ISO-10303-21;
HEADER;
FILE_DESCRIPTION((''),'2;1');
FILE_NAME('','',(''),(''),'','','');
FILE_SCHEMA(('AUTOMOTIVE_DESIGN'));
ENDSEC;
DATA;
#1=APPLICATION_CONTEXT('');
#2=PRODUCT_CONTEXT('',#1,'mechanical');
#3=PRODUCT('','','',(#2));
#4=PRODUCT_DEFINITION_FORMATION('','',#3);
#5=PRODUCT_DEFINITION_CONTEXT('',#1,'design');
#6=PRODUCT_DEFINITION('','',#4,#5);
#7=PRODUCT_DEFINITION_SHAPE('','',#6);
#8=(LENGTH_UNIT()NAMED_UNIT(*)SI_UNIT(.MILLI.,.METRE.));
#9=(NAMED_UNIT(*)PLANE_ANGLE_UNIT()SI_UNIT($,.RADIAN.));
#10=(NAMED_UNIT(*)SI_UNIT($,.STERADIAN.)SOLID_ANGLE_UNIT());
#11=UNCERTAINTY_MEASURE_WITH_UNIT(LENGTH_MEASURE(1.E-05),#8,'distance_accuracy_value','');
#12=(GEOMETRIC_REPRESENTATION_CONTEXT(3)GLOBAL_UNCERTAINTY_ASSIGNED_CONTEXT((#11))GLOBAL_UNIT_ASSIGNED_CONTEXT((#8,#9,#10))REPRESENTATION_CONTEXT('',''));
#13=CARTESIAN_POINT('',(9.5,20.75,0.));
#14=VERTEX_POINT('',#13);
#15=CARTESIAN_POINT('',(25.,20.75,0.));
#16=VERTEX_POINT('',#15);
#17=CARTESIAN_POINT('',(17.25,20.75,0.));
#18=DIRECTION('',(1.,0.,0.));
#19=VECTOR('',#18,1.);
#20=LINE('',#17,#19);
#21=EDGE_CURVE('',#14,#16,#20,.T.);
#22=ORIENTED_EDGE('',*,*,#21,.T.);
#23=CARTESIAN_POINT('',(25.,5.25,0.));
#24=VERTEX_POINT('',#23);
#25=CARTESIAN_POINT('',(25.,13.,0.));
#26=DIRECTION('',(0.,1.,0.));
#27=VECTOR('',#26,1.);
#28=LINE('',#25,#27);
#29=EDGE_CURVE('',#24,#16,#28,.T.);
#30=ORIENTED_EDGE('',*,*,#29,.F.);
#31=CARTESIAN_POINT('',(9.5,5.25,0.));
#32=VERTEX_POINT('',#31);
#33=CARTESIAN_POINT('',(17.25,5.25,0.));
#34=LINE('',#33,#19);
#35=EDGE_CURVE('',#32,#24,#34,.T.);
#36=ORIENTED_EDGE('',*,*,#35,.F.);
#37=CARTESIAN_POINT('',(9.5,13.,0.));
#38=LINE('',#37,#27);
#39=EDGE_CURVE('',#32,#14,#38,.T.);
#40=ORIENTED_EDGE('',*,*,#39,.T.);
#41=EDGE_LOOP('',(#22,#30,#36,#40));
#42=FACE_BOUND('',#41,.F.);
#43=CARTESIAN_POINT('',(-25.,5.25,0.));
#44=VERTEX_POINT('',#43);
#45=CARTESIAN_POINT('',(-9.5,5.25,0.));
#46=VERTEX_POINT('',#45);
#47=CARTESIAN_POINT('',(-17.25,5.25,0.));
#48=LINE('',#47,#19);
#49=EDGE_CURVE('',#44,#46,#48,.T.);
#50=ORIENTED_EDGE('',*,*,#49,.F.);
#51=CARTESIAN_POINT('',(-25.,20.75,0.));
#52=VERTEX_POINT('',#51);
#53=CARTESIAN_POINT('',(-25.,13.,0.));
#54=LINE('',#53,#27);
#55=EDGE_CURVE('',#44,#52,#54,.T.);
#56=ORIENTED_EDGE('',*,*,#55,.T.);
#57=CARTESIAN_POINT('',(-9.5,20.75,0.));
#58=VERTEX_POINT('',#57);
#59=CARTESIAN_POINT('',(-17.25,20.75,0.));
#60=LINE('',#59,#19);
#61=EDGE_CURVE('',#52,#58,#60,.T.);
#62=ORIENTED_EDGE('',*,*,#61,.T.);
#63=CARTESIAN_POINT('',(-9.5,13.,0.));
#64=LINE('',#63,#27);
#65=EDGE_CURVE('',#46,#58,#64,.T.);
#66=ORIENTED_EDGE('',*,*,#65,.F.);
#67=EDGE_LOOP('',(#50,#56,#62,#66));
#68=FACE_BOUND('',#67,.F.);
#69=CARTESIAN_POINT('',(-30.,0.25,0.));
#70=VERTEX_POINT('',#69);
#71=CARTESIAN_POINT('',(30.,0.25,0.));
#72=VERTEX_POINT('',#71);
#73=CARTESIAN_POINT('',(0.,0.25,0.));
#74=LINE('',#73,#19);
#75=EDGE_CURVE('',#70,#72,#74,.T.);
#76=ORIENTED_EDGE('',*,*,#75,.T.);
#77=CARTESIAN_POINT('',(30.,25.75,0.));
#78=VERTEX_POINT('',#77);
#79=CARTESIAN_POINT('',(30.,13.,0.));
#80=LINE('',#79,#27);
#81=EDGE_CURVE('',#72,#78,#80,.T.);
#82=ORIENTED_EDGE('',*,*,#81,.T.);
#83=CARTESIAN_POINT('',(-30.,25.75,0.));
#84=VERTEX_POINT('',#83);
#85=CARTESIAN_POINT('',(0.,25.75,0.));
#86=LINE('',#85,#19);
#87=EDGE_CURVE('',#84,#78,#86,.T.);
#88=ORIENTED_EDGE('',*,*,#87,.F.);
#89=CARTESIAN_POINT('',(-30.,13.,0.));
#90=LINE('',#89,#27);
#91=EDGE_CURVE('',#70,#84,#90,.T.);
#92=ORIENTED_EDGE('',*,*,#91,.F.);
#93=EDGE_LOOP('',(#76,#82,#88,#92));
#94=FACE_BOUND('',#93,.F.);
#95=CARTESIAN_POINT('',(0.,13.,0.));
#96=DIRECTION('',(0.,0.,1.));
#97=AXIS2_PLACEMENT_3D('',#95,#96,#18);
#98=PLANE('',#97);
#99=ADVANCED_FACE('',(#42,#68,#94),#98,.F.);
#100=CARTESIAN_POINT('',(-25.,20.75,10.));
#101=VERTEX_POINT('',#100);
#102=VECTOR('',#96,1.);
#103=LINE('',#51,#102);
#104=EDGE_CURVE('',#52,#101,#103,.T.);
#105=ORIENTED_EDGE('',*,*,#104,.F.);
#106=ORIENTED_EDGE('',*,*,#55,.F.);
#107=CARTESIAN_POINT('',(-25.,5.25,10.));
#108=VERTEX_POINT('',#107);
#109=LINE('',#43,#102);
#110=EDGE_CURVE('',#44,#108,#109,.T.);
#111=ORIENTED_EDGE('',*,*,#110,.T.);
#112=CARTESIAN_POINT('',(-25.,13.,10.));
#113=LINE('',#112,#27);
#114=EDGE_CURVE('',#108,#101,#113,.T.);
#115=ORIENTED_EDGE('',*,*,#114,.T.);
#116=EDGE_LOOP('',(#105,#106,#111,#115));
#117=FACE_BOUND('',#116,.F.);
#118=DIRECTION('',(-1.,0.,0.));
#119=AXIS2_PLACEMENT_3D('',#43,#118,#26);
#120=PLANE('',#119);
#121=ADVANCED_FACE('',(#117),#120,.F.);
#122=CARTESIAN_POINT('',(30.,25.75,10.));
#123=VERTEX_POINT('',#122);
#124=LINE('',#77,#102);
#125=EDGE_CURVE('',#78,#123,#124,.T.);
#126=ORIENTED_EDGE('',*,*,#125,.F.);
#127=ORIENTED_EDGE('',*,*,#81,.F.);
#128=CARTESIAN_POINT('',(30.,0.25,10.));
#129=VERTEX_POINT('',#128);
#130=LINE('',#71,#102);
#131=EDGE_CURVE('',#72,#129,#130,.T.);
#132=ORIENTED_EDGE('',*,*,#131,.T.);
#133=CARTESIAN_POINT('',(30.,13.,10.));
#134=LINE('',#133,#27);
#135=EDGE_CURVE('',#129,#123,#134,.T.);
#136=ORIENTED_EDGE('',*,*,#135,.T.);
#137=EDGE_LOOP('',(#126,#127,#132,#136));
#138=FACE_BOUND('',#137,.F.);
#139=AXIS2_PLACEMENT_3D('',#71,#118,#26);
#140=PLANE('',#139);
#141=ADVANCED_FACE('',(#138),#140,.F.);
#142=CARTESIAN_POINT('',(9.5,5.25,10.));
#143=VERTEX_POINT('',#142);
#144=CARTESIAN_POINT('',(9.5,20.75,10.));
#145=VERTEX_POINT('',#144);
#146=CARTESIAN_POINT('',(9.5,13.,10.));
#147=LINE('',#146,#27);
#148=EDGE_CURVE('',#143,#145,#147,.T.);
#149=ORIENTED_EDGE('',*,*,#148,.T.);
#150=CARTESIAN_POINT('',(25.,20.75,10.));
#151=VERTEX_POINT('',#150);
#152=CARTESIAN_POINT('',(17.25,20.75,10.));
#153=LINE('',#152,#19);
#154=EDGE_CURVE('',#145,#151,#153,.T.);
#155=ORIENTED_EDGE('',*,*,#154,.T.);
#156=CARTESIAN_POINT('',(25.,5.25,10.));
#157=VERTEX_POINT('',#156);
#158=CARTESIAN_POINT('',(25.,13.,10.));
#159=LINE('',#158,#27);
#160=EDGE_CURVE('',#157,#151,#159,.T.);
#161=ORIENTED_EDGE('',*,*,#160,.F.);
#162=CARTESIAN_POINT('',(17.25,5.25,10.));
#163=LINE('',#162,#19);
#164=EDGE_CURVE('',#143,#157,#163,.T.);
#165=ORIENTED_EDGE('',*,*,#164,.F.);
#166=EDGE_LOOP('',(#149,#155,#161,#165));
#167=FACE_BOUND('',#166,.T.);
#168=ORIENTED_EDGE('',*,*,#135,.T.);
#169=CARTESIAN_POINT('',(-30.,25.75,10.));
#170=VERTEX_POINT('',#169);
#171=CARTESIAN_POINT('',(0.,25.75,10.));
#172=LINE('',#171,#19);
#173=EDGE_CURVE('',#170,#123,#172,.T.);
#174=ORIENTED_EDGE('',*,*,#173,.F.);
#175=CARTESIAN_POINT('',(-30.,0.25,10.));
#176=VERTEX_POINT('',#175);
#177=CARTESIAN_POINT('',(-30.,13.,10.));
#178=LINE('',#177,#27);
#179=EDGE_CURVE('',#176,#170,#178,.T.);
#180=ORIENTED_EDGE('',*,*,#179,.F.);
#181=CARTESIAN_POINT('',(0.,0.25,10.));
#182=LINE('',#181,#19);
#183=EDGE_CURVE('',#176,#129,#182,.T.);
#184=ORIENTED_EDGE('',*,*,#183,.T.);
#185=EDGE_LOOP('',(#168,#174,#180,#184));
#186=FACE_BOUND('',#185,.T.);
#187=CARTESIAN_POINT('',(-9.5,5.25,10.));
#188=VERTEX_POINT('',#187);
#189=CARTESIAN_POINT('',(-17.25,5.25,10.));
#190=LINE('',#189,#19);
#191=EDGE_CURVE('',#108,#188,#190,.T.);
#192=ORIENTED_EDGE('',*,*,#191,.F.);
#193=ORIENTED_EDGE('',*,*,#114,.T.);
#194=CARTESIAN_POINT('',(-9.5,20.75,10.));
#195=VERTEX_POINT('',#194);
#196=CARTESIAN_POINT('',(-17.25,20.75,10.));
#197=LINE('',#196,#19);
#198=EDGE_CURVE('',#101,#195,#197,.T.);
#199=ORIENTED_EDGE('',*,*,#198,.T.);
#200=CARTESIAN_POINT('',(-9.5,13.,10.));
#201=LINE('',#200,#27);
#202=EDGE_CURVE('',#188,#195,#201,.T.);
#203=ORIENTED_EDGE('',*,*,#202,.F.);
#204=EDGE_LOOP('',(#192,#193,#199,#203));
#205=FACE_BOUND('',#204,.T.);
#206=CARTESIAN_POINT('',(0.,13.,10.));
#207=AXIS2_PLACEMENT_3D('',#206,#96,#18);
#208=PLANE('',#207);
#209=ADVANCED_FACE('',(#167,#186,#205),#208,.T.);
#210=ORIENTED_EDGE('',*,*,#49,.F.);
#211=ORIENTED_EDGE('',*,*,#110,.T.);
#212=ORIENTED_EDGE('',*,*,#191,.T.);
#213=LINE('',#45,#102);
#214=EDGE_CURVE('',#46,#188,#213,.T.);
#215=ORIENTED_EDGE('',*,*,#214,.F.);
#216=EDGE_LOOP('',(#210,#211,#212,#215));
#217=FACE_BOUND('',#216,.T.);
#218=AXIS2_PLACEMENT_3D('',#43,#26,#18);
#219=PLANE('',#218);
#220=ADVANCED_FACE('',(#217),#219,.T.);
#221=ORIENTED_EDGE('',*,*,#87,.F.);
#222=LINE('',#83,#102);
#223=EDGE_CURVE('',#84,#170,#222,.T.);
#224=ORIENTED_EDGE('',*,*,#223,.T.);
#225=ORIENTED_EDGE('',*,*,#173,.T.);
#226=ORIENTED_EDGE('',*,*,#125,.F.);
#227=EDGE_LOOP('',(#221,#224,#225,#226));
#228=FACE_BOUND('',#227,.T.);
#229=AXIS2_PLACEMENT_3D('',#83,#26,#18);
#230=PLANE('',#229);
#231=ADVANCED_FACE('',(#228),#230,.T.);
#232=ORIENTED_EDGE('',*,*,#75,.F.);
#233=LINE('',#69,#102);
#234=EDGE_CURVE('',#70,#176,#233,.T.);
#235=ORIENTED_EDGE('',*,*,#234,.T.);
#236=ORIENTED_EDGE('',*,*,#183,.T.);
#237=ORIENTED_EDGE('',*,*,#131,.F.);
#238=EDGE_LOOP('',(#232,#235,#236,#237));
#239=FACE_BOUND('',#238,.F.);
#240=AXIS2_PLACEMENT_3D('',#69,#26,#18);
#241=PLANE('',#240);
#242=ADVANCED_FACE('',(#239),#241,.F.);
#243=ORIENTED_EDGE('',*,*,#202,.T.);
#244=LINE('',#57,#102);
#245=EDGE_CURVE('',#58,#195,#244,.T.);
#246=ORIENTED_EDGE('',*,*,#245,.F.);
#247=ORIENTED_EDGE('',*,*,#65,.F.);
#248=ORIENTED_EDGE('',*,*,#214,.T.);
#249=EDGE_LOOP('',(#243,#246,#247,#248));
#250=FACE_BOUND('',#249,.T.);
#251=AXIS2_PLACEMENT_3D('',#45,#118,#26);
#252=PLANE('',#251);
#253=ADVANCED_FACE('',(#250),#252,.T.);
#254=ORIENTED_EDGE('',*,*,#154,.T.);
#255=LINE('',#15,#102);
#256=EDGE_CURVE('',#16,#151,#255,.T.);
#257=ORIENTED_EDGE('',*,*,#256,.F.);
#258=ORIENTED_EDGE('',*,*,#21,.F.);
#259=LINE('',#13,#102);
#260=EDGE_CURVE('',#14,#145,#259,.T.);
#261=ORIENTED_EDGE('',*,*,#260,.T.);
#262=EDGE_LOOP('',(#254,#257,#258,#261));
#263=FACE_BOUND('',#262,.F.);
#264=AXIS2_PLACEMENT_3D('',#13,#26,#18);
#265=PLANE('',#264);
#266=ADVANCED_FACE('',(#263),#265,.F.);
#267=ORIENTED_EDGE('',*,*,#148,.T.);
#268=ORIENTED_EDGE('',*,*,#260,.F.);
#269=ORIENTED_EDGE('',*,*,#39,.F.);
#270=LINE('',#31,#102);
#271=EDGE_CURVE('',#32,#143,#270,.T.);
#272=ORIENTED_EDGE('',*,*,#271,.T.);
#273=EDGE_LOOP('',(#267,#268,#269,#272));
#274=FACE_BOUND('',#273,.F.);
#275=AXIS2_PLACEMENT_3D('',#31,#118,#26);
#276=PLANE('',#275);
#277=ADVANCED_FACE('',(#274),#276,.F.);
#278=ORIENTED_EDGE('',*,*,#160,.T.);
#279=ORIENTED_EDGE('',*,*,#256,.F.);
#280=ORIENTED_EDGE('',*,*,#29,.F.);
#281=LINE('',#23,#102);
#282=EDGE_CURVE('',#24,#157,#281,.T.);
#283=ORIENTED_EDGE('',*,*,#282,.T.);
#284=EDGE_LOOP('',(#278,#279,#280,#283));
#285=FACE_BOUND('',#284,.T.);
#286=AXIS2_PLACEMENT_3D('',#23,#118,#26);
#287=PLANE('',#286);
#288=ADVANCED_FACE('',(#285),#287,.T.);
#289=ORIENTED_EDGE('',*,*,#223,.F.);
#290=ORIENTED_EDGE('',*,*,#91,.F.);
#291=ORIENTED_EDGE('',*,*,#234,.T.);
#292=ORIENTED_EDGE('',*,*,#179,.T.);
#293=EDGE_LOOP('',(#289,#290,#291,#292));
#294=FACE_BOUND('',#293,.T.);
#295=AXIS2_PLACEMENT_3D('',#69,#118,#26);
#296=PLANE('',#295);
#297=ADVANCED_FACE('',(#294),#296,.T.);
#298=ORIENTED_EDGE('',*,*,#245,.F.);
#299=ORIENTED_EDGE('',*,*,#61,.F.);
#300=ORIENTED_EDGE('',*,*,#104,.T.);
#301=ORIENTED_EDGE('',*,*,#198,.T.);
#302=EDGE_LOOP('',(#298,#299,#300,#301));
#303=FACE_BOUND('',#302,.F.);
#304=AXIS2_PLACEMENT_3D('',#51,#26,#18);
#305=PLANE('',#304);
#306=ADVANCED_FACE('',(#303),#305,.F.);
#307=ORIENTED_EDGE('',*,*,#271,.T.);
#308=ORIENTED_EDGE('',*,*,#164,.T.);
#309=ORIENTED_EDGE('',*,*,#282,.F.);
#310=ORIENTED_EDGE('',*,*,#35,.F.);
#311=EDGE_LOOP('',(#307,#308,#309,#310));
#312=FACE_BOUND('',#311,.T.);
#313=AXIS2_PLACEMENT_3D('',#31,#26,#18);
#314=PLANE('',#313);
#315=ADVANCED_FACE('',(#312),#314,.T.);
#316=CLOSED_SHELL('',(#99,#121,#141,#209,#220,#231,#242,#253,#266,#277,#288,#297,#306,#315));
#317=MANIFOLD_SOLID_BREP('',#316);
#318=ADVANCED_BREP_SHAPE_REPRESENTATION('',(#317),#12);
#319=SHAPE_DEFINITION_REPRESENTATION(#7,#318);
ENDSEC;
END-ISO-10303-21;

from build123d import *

# Parameters (mm, degrees)
SKETCH_W   = 60
SKETCH_H   = 25.5
SKETCH_W_2 = 15.5
SKETCH_H_2 = 15.5
PAD_DEPTH  = 10


with BuildPart() as part:
    # Sketch → Pad (new body)
    with BuildSketch(Plane.XY):
        with Locations((0, 13)):
            Rectangle(SKETCH_W, SKETCH_H)
        with Locations((17.25, 13)):
            Rectangle(SKETCH_W_2, SKETCH_H_2, mode=Mode.SUBTRACT)
        with Locations((-17.25, 13)):
            Rectangle(SKETCH_W_2, SKETCH_H_2, mode=Mode.SUBTRACT)
    extrude(amount=PAD_DEPTH)


solid = part.part
